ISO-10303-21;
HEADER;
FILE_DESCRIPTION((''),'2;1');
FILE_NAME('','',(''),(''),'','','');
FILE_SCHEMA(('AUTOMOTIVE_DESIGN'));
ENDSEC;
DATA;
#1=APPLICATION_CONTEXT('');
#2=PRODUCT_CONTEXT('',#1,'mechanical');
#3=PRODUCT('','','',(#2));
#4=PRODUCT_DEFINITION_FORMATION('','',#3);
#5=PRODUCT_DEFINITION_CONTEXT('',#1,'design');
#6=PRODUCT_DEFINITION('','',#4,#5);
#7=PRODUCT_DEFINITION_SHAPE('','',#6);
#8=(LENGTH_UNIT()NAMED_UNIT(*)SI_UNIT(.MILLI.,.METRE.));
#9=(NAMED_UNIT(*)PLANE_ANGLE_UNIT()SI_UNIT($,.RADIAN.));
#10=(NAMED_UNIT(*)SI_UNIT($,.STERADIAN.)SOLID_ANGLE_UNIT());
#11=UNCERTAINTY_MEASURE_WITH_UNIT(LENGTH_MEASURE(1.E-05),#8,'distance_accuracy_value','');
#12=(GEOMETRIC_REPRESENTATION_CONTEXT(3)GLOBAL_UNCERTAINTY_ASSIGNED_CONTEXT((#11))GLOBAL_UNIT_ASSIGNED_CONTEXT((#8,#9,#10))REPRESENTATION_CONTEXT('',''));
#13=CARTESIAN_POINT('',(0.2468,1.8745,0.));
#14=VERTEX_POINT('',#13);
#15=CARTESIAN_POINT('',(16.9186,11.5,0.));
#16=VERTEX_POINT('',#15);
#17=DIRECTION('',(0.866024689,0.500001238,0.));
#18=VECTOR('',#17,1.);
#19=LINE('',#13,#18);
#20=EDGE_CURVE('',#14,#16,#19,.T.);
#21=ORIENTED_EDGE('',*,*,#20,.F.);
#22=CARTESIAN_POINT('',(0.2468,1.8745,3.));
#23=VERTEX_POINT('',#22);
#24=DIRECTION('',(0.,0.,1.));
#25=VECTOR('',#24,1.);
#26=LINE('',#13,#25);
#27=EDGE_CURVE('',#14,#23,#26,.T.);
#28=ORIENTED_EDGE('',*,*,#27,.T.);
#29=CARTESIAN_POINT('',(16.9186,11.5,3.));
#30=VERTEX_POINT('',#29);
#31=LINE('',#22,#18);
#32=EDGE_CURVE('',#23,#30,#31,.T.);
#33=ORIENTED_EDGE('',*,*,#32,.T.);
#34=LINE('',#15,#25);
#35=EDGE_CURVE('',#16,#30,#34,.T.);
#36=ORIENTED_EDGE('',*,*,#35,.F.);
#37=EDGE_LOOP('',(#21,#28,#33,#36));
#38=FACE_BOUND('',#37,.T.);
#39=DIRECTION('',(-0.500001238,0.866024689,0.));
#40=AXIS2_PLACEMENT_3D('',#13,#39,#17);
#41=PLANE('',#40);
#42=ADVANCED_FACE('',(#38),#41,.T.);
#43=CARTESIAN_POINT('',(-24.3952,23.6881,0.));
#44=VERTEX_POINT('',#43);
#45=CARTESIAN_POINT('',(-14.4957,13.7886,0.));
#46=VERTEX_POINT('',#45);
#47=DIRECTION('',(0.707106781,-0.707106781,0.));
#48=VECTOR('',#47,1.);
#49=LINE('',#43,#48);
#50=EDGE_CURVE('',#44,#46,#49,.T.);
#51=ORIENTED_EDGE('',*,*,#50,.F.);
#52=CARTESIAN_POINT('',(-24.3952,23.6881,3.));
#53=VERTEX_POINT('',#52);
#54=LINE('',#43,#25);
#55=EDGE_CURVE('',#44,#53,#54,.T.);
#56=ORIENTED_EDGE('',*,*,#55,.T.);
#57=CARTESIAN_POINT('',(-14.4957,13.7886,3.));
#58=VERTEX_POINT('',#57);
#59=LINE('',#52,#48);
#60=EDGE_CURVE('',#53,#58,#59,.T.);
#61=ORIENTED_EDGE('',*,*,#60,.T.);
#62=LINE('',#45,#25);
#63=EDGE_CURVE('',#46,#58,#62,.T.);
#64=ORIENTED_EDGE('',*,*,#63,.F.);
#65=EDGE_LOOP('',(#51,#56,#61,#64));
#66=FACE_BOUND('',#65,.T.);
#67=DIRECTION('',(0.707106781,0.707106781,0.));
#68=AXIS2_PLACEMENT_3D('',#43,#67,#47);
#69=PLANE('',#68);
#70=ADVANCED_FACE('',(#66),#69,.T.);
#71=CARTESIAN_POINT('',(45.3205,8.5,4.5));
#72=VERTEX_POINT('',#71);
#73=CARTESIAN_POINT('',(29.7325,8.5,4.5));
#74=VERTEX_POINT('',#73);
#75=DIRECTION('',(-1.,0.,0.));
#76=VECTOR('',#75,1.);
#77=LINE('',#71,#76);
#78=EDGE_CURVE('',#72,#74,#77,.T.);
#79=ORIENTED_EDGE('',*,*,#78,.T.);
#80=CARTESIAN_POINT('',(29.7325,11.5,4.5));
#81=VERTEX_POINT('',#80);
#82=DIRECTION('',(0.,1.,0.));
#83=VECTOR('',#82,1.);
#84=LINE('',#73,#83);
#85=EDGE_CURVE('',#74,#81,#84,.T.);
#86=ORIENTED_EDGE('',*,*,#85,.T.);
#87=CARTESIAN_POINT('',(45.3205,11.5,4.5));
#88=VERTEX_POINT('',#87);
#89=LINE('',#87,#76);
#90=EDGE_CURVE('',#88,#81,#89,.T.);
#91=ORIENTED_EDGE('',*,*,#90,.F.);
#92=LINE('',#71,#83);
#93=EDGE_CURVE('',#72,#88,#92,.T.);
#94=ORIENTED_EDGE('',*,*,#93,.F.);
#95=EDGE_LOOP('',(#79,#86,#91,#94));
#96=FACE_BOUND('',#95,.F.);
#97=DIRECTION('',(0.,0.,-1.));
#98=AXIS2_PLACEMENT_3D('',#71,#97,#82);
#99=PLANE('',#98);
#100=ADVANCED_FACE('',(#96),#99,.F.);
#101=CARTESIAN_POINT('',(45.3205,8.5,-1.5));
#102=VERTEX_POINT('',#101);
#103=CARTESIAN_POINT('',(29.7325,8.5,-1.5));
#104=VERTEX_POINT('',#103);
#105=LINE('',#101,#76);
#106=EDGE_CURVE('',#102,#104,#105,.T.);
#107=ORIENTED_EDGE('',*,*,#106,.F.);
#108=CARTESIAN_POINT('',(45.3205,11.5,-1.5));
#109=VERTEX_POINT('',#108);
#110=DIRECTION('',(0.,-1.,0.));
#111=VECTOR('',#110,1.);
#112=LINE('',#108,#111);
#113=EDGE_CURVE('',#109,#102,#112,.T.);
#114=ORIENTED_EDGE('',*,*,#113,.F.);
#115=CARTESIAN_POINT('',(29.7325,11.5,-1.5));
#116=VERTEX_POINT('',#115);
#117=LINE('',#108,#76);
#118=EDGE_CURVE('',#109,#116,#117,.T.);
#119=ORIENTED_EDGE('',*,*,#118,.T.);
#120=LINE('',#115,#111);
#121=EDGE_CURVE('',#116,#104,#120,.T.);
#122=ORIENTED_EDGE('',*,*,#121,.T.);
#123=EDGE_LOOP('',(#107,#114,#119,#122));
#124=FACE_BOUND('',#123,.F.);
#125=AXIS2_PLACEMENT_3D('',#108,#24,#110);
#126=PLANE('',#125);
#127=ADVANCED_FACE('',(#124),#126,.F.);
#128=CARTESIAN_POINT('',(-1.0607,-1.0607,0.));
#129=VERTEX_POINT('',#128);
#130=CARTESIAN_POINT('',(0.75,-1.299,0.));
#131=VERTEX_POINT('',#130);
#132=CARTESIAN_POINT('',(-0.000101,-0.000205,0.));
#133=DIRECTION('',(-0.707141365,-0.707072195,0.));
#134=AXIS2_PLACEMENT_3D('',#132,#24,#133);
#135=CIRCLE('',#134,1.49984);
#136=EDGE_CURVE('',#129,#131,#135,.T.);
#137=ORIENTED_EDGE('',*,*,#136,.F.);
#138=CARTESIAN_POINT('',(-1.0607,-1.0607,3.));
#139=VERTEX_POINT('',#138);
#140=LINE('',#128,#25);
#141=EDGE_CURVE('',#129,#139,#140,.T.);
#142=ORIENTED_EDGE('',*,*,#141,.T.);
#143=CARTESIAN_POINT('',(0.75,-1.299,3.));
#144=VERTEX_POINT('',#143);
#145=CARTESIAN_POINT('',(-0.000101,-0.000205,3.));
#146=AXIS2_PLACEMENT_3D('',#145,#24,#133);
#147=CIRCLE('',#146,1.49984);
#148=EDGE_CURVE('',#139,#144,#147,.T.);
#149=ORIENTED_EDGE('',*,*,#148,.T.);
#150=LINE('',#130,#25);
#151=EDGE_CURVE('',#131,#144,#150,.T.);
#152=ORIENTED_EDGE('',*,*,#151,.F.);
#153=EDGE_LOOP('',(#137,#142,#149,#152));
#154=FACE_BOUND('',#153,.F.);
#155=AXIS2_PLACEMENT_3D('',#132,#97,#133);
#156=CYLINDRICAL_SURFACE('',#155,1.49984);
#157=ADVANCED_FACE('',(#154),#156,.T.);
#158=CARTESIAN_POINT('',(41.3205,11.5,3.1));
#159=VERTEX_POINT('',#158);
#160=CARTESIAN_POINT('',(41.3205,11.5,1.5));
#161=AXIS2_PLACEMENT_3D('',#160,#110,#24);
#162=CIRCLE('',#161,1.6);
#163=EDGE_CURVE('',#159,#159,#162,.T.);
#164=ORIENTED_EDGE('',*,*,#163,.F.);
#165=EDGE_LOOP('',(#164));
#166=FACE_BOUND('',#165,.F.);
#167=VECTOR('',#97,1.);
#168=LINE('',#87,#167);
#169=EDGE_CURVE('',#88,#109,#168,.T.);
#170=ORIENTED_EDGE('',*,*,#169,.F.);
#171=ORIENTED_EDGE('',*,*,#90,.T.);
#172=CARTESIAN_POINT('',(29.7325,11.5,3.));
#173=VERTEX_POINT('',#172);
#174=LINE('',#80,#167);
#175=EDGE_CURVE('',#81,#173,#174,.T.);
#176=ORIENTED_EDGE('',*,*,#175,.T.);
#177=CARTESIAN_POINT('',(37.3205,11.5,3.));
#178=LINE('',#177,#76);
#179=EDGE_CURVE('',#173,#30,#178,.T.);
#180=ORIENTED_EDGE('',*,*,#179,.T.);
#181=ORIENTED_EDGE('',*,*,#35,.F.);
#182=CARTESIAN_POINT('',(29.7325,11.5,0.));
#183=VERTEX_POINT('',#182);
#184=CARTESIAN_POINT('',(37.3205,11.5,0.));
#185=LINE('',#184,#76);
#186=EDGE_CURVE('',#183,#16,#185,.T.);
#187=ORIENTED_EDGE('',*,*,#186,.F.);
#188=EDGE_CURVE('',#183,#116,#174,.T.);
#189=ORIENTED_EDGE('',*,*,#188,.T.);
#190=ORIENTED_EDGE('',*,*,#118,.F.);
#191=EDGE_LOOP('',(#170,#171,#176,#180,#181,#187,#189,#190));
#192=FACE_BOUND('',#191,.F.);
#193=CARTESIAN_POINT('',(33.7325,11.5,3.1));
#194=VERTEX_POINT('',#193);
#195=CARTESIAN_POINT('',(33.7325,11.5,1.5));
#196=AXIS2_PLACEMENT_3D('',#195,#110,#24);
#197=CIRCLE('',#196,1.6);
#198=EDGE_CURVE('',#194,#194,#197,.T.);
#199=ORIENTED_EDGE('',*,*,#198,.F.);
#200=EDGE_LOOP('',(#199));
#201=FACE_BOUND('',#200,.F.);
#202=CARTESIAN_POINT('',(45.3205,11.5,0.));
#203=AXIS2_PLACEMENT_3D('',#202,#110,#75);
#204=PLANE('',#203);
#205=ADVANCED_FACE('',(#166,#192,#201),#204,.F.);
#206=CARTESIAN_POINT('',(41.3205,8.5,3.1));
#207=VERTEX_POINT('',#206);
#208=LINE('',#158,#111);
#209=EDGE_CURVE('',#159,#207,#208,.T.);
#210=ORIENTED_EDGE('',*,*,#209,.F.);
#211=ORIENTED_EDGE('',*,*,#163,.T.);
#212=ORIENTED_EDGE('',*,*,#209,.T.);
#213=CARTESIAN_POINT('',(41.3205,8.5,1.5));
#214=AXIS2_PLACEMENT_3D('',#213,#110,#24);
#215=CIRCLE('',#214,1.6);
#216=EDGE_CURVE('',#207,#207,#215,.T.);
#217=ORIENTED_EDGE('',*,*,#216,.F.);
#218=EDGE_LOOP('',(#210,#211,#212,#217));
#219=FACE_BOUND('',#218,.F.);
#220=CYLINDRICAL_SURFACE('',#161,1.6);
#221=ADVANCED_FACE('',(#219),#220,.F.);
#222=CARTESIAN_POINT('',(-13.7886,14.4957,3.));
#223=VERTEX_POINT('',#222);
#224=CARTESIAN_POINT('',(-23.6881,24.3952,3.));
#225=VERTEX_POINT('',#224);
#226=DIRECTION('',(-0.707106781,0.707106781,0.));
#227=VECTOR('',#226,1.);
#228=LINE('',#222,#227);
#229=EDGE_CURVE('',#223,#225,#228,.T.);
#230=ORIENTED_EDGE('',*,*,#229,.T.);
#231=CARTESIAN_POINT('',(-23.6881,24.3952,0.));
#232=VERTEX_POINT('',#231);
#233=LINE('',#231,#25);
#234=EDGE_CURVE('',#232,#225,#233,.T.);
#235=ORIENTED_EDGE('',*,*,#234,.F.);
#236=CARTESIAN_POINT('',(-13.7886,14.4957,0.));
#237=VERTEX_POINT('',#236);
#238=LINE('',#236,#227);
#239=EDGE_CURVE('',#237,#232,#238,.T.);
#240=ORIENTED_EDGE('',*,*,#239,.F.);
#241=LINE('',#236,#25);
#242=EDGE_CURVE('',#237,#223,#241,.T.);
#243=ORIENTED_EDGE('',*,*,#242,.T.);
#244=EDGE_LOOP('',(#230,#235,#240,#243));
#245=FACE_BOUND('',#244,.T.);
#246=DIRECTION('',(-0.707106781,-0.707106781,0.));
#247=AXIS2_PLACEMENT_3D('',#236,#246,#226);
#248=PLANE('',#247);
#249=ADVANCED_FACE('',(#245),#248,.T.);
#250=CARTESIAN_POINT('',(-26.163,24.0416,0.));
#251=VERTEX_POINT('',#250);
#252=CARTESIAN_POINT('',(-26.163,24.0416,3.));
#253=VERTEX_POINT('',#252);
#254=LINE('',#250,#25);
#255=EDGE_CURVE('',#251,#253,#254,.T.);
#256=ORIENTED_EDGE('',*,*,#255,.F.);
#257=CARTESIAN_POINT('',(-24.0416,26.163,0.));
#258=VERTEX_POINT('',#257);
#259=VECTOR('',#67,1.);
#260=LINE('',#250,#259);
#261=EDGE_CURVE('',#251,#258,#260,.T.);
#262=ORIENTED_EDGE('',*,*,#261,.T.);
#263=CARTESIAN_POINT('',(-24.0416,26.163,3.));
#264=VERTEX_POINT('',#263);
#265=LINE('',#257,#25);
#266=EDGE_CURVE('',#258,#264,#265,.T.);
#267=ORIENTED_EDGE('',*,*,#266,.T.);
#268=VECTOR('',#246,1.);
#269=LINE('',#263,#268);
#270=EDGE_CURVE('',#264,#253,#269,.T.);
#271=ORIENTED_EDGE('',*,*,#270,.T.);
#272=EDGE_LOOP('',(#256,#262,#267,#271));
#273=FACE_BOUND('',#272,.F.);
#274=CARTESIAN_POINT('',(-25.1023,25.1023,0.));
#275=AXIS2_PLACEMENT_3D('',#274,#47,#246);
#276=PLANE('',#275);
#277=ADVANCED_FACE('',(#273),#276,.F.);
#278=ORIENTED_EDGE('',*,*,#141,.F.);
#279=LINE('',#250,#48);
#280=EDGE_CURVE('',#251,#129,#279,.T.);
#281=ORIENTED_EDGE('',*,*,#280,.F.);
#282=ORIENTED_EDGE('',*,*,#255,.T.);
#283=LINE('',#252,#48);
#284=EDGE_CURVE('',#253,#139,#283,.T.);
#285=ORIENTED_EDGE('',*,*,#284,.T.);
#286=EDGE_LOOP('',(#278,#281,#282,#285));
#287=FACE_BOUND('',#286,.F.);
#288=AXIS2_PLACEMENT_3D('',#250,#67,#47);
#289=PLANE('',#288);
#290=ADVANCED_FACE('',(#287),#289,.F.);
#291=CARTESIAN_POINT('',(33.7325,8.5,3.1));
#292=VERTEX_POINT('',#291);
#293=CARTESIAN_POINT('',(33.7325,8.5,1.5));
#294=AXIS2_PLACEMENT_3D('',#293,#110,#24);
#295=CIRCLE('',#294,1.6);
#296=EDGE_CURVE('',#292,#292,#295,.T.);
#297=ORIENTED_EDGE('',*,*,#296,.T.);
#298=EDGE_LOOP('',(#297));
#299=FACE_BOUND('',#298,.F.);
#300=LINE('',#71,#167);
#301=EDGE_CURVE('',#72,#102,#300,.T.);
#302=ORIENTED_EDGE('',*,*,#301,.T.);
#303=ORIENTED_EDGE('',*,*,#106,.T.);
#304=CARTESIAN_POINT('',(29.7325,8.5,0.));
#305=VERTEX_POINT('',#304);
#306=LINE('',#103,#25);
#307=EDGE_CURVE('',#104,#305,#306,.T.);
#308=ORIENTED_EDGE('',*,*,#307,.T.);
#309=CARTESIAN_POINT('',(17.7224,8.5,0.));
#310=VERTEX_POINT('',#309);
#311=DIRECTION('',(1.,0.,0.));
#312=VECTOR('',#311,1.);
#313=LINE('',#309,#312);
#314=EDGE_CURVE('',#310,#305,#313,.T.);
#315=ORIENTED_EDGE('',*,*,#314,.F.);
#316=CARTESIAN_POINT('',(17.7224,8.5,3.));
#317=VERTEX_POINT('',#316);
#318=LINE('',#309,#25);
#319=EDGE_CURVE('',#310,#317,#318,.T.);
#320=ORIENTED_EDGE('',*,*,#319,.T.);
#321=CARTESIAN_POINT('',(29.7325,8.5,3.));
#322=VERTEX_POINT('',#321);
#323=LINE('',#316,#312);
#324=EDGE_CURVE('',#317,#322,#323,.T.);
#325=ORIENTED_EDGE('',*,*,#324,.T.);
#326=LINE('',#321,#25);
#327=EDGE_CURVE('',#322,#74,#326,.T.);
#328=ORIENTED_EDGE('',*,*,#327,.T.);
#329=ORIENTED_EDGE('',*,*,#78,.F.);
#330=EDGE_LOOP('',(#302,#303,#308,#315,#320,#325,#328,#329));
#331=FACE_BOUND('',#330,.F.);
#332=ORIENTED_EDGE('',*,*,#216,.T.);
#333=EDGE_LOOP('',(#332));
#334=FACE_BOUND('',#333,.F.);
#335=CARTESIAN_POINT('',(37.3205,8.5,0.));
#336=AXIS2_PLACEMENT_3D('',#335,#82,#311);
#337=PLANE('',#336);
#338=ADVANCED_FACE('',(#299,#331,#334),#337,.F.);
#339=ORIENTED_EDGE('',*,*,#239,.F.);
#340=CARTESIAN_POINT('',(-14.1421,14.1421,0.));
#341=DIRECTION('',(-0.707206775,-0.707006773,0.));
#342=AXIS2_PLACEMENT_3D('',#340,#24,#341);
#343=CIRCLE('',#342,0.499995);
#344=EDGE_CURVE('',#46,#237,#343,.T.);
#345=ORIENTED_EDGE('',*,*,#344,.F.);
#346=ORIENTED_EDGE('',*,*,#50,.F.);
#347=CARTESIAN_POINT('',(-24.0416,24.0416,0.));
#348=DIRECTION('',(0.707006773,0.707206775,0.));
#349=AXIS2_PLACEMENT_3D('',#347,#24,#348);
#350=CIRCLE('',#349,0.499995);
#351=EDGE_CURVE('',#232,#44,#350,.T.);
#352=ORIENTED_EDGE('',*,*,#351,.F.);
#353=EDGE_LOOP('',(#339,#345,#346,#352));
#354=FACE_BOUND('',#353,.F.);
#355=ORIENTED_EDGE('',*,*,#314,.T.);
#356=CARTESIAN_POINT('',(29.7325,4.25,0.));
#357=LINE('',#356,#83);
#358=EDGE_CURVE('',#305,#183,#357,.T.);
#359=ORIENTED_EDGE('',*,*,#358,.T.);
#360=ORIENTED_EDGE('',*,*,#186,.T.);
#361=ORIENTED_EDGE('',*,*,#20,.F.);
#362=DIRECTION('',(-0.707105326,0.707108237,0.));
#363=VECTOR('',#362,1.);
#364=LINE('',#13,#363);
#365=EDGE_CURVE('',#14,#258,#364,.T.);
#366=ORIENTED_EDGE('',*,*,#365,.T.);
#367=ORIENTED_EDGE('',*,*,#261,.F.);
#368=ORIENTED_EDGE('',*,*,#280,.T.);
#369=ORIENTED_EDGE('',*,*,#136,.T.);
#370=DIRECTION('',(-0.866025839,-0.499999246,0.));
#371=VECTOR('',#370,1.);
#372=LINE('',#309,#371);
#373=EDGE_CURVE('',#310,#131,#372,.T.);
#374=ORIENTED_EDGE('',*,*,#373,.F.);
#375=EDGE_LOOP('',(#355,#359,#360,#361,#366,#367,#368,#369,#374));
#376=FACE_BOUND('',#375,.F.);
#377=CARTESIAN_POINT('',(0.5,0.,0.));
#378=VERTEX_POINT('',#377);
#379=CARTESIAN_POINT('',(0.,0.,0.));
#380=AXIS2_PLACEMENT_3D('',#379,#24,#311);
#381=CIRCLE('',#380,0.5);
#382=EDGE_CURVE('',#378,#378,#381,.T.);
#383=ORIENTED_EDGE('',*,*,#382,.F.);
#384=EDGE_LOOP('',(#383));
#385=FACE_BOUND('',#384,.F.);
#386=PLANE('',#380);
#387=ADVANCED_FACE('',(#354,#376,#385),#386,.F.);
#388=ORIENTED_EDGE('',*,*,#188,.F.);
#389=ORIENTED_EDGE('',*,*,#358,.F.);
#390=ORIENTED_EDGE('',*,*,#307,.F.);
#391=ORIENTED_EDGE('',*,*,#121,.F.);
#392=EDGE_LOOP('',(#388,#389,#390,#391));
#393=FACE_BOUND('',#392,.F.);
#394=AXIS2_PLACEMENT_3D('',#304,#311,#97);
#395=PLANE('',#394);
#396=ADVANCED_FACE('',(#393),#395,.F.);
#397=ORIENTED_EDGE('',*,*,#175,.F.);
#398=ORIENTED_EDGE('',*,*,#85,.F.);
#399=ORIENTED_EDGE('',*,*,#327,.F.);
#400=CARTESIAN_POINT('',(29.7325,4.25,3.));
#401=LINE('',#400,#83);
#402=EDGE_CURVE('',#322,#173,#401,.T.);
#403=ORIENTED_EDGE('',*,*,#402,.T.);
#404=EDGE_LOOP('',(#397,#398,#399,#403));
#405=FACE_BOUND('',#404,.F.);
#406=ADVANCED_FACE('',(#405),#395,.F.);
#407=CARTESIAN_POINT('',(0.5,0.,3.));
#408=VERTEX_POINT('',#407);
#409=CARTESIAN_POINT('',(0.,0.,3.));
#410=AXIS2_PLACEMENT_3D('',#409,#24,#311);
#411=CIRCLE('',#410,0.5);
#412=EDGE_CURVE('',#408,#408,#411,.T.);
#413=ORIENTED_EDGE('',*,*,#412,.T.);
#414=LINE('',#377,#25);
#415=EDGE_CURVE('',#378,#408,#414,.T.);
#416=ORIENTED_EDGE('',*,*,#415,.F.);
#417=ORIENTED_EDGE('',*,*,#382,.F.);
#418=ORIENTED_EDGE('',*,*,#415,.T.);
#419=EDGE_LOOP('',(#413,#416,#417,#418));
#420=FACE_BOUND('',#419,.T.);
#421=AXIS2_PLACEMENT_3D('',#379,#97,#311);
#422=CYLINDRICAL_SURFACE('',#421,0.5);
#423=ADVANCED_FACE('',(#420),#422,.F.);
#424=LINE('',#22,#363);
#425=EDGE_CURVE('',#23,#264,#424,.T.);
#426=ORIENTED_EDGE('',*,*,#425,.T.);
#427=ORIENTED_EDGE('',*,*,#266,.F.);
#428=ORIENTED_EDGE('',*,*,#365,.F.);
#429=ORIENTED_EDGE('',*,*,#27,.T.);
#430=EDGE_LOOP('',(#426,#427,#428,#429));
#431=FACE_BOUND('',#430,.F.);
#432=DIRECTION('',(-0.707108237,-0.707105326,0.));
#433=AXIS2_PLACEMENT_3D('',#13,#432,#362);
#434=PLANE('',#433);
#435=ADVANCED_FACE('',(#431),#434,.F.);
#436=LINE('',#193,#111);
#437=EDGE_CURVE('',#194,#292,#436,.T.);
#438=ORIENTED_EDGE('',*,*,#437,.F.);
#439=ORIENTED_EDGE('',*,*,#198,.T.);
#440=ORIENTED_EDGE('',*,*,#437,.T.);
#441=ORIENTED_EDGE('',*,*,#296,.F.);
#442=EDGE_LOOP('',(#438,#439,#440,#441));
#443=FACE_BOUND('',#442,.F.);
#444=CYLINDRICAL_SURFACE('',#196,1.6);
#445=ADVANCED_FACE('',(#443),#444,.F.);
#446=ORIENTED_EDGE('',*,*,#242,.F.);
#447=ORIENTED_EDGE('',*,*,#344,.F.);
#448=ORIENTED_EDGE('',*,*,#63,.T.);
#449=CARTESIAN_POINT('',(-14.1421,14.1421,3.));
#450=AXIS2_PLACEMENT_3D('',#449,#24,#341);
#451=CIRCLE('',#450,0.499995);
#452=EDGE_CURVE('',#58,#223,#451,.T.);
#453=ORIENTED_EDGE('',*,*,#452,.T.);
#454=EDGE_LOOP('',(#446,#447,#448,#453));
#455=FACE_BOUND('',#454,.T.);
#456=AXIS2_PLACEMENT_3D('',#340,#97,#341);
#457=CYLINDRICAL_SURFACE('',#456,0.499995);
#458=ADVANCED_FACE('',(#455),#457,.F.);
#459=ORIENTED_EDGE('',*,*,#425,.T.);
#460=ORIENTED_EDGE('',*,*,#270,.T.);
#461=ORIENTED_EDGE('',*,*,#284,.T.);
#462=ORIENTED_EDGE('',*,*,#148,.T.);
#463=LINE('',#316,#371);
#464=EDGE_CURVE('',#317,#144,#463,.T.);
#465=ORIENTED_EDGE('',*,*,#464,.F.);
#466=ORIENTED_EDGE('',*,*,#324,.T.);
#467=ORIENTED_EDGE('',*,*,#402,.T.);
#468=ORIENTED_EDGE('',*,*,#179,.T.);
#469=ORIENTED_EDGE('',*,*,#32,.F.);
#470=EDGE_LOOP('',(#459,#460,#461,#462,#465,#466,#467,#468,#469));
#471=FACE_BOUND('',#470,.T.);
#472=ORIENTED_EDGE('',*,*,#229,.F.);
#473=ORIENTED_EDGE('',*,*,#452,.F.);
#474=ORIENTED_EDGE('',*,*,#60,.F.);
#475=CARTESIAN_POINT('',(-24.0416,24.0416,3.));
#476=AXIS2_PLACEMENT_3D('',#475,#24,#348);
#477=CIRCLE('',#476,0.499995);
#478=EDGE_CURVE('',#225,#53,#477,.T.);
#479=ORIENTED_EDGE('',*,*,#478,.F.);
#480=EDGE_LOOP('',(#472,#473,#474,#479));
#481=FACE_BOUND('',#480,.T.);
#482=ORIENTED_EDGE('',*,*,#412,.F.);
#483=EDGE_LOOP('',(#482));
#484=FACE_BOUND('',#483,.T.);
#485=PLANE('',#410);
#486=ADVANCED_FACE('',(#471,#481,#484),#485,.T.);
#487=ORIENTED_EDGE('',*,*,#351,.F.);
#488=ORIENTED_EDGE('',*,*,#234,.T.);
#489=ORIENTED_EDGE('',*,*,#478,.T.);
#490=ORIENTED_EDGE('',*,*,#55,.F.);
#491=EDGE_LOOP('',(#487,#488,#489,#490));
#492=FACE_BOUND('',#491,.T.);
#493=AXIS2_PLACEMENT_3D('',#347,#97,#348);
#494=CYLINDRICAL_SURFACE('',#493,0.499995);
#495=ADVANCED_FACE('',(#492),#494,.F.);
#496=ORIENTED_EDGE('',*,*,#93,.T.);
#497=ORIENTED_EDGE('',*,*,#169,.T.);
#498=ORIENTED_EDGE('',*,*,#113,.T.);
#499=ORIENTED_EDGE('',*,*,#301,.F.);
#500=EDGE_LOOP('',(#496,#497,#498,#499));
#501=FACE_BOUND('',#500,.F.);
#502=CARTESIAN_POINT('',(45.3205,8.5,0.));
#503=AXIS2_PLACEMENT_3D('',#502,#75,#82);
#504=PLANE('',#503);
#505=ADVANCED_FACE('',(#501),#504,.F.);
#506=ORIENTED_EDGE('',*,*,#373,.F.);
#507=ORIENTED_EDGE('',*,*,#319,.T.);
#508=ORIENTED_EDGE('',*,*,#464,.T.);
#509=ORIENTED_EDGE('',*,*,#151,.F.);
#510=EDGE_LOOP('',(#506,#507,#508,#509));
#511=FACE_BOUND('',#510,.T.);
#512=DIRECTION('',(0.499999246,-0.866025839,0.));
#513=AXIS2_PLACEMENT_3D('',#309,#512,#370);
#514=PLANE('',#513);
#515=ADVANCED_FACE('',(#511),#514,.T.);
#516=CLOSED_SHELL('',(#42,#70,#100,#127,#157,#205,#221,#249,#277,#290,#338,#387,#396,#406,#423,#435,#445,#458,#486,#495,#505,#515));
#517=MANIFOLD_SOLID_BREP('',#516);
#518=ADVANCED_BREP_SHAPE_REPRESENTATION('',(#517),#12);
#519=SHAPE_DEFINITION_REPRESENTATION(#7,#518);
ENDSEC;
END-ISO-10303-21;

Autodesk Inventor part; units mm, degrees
ref_plane "YZ Plane" through (0, 0, 0) normal (1, 0, 0) x (0, 1, 0)
ref_plane "XZ Plane" through (0, 0, 0) normal (0, 1, 0) x (-1, 0, 0)
ref_plane "XY Plane" through (0, 0, 0) normal (0, 0, 1) x (1, 0, 0)
sketch "Sketch1" plane through (0, 0, 0) normal (0, 0, 1) x (1, 0, 0)
  line L0 (37.3205, 11.5) -> (16.9186, 11.5)
  line L1 (-26.163, 24.0416) -> (-1.0607, -1.0607)
  line L2 (17.7224, 8.5) -> (0.75, -1.299)
  line L3 (17.7224, 8.5) -> (37.3205, 8.5)
  line L4 (0.2468, 1.8745) -> (16.9186, 11.5)
  line L5 (0.2468, 1.8745) -> (-24.0416, 26.163)
  arc A0 (-23.6881, 24.3952) -> (-24.3952, 23.6881) centre (-24.0416, 24.0416) ccw
  arc A1 (-14.4957, 13.7886) -> (-13.7886, 14.4957) centre (-14.1421, 14.1421) ccw
  circle A2 centre (0, 0) radius 0.5
  line L6 (-25.1023, 25.1023) -> (-26.163, 24.0416)
  line L7 (-24.0416, 26.163) -> (-25.1023, 25.1023)
  line L8 (-24.3952, 23.6881) -> (-14.4957, 13.7886)
  line L9 (-13.7886, 14.4957) -> (-23.6881, 24.3952)
  line L10 (37.3205, 8.5) -> (45.3205, 8.5)
  line L11 (45.3205, 8.5) -> (45.3205, 11.5)
  line L12 (45.3205, 11.5) -> (37.3205, 11.5)
  arc A3 (-1.0607, -1.0607) -> (0.75, -1.299) centre (0, 0) ccw
extrude "Extrusion1" add sketch "Sketch1" along normal blind 3
sketch "Sketch5" plane through (0, 0, 3) normal (0, 0, 1) x (1, 0, 0)
  point P0 (0, 0)
sketch "Sketch8" plane through (45.3205, 8.5, 0) normal (1, 0, 0) x (0, 0, -1)
  line L0 (0, 0) -> (-3, 0) projected
  line L1 (-3, 0) -> (-4.5, 0)
  line L2 (-4.5, 0) -> (-4.5, 3)
  line L3 (-4.5, 3) -> (1.5, 3)
  line L4 (1.5, 3) -> (1.5, 0)
  line L5 (1.5, 0) -> (-3, 0)
  point P0 (0, -8.5)
  dimension "d38" = 1.5
  dimension "d39" = 3
  dimension "d40" = 6
  dimension "d41" = 3
extrude "Extrusion4" add sketch "Sketch8" against normal blind 15.588
sketch "Sketch9" plane through (16.9186, 11.5, 3) normal (0, 1, 0) x (1, 0, 0)
  line L0 (28.4019, 4.5) -> (28.4019, -1.5) construction
  point P0 (-16.9186, 3)
  point P1 (24.4019, 1.5)
  point P2 (16.8139, 1.5)
hole "Hole2" at (41.3205, 11.5, 1.5) at (33.7325, 11.5, 1.5) direction (0, -1, 0) diameter 3.2 end through all clearance for "Hex Head Cap Screw ISO 24017" size "M3" standard "ISO"
properties part number "Ramię♥" material "Stainless Steel, Austenitic"
